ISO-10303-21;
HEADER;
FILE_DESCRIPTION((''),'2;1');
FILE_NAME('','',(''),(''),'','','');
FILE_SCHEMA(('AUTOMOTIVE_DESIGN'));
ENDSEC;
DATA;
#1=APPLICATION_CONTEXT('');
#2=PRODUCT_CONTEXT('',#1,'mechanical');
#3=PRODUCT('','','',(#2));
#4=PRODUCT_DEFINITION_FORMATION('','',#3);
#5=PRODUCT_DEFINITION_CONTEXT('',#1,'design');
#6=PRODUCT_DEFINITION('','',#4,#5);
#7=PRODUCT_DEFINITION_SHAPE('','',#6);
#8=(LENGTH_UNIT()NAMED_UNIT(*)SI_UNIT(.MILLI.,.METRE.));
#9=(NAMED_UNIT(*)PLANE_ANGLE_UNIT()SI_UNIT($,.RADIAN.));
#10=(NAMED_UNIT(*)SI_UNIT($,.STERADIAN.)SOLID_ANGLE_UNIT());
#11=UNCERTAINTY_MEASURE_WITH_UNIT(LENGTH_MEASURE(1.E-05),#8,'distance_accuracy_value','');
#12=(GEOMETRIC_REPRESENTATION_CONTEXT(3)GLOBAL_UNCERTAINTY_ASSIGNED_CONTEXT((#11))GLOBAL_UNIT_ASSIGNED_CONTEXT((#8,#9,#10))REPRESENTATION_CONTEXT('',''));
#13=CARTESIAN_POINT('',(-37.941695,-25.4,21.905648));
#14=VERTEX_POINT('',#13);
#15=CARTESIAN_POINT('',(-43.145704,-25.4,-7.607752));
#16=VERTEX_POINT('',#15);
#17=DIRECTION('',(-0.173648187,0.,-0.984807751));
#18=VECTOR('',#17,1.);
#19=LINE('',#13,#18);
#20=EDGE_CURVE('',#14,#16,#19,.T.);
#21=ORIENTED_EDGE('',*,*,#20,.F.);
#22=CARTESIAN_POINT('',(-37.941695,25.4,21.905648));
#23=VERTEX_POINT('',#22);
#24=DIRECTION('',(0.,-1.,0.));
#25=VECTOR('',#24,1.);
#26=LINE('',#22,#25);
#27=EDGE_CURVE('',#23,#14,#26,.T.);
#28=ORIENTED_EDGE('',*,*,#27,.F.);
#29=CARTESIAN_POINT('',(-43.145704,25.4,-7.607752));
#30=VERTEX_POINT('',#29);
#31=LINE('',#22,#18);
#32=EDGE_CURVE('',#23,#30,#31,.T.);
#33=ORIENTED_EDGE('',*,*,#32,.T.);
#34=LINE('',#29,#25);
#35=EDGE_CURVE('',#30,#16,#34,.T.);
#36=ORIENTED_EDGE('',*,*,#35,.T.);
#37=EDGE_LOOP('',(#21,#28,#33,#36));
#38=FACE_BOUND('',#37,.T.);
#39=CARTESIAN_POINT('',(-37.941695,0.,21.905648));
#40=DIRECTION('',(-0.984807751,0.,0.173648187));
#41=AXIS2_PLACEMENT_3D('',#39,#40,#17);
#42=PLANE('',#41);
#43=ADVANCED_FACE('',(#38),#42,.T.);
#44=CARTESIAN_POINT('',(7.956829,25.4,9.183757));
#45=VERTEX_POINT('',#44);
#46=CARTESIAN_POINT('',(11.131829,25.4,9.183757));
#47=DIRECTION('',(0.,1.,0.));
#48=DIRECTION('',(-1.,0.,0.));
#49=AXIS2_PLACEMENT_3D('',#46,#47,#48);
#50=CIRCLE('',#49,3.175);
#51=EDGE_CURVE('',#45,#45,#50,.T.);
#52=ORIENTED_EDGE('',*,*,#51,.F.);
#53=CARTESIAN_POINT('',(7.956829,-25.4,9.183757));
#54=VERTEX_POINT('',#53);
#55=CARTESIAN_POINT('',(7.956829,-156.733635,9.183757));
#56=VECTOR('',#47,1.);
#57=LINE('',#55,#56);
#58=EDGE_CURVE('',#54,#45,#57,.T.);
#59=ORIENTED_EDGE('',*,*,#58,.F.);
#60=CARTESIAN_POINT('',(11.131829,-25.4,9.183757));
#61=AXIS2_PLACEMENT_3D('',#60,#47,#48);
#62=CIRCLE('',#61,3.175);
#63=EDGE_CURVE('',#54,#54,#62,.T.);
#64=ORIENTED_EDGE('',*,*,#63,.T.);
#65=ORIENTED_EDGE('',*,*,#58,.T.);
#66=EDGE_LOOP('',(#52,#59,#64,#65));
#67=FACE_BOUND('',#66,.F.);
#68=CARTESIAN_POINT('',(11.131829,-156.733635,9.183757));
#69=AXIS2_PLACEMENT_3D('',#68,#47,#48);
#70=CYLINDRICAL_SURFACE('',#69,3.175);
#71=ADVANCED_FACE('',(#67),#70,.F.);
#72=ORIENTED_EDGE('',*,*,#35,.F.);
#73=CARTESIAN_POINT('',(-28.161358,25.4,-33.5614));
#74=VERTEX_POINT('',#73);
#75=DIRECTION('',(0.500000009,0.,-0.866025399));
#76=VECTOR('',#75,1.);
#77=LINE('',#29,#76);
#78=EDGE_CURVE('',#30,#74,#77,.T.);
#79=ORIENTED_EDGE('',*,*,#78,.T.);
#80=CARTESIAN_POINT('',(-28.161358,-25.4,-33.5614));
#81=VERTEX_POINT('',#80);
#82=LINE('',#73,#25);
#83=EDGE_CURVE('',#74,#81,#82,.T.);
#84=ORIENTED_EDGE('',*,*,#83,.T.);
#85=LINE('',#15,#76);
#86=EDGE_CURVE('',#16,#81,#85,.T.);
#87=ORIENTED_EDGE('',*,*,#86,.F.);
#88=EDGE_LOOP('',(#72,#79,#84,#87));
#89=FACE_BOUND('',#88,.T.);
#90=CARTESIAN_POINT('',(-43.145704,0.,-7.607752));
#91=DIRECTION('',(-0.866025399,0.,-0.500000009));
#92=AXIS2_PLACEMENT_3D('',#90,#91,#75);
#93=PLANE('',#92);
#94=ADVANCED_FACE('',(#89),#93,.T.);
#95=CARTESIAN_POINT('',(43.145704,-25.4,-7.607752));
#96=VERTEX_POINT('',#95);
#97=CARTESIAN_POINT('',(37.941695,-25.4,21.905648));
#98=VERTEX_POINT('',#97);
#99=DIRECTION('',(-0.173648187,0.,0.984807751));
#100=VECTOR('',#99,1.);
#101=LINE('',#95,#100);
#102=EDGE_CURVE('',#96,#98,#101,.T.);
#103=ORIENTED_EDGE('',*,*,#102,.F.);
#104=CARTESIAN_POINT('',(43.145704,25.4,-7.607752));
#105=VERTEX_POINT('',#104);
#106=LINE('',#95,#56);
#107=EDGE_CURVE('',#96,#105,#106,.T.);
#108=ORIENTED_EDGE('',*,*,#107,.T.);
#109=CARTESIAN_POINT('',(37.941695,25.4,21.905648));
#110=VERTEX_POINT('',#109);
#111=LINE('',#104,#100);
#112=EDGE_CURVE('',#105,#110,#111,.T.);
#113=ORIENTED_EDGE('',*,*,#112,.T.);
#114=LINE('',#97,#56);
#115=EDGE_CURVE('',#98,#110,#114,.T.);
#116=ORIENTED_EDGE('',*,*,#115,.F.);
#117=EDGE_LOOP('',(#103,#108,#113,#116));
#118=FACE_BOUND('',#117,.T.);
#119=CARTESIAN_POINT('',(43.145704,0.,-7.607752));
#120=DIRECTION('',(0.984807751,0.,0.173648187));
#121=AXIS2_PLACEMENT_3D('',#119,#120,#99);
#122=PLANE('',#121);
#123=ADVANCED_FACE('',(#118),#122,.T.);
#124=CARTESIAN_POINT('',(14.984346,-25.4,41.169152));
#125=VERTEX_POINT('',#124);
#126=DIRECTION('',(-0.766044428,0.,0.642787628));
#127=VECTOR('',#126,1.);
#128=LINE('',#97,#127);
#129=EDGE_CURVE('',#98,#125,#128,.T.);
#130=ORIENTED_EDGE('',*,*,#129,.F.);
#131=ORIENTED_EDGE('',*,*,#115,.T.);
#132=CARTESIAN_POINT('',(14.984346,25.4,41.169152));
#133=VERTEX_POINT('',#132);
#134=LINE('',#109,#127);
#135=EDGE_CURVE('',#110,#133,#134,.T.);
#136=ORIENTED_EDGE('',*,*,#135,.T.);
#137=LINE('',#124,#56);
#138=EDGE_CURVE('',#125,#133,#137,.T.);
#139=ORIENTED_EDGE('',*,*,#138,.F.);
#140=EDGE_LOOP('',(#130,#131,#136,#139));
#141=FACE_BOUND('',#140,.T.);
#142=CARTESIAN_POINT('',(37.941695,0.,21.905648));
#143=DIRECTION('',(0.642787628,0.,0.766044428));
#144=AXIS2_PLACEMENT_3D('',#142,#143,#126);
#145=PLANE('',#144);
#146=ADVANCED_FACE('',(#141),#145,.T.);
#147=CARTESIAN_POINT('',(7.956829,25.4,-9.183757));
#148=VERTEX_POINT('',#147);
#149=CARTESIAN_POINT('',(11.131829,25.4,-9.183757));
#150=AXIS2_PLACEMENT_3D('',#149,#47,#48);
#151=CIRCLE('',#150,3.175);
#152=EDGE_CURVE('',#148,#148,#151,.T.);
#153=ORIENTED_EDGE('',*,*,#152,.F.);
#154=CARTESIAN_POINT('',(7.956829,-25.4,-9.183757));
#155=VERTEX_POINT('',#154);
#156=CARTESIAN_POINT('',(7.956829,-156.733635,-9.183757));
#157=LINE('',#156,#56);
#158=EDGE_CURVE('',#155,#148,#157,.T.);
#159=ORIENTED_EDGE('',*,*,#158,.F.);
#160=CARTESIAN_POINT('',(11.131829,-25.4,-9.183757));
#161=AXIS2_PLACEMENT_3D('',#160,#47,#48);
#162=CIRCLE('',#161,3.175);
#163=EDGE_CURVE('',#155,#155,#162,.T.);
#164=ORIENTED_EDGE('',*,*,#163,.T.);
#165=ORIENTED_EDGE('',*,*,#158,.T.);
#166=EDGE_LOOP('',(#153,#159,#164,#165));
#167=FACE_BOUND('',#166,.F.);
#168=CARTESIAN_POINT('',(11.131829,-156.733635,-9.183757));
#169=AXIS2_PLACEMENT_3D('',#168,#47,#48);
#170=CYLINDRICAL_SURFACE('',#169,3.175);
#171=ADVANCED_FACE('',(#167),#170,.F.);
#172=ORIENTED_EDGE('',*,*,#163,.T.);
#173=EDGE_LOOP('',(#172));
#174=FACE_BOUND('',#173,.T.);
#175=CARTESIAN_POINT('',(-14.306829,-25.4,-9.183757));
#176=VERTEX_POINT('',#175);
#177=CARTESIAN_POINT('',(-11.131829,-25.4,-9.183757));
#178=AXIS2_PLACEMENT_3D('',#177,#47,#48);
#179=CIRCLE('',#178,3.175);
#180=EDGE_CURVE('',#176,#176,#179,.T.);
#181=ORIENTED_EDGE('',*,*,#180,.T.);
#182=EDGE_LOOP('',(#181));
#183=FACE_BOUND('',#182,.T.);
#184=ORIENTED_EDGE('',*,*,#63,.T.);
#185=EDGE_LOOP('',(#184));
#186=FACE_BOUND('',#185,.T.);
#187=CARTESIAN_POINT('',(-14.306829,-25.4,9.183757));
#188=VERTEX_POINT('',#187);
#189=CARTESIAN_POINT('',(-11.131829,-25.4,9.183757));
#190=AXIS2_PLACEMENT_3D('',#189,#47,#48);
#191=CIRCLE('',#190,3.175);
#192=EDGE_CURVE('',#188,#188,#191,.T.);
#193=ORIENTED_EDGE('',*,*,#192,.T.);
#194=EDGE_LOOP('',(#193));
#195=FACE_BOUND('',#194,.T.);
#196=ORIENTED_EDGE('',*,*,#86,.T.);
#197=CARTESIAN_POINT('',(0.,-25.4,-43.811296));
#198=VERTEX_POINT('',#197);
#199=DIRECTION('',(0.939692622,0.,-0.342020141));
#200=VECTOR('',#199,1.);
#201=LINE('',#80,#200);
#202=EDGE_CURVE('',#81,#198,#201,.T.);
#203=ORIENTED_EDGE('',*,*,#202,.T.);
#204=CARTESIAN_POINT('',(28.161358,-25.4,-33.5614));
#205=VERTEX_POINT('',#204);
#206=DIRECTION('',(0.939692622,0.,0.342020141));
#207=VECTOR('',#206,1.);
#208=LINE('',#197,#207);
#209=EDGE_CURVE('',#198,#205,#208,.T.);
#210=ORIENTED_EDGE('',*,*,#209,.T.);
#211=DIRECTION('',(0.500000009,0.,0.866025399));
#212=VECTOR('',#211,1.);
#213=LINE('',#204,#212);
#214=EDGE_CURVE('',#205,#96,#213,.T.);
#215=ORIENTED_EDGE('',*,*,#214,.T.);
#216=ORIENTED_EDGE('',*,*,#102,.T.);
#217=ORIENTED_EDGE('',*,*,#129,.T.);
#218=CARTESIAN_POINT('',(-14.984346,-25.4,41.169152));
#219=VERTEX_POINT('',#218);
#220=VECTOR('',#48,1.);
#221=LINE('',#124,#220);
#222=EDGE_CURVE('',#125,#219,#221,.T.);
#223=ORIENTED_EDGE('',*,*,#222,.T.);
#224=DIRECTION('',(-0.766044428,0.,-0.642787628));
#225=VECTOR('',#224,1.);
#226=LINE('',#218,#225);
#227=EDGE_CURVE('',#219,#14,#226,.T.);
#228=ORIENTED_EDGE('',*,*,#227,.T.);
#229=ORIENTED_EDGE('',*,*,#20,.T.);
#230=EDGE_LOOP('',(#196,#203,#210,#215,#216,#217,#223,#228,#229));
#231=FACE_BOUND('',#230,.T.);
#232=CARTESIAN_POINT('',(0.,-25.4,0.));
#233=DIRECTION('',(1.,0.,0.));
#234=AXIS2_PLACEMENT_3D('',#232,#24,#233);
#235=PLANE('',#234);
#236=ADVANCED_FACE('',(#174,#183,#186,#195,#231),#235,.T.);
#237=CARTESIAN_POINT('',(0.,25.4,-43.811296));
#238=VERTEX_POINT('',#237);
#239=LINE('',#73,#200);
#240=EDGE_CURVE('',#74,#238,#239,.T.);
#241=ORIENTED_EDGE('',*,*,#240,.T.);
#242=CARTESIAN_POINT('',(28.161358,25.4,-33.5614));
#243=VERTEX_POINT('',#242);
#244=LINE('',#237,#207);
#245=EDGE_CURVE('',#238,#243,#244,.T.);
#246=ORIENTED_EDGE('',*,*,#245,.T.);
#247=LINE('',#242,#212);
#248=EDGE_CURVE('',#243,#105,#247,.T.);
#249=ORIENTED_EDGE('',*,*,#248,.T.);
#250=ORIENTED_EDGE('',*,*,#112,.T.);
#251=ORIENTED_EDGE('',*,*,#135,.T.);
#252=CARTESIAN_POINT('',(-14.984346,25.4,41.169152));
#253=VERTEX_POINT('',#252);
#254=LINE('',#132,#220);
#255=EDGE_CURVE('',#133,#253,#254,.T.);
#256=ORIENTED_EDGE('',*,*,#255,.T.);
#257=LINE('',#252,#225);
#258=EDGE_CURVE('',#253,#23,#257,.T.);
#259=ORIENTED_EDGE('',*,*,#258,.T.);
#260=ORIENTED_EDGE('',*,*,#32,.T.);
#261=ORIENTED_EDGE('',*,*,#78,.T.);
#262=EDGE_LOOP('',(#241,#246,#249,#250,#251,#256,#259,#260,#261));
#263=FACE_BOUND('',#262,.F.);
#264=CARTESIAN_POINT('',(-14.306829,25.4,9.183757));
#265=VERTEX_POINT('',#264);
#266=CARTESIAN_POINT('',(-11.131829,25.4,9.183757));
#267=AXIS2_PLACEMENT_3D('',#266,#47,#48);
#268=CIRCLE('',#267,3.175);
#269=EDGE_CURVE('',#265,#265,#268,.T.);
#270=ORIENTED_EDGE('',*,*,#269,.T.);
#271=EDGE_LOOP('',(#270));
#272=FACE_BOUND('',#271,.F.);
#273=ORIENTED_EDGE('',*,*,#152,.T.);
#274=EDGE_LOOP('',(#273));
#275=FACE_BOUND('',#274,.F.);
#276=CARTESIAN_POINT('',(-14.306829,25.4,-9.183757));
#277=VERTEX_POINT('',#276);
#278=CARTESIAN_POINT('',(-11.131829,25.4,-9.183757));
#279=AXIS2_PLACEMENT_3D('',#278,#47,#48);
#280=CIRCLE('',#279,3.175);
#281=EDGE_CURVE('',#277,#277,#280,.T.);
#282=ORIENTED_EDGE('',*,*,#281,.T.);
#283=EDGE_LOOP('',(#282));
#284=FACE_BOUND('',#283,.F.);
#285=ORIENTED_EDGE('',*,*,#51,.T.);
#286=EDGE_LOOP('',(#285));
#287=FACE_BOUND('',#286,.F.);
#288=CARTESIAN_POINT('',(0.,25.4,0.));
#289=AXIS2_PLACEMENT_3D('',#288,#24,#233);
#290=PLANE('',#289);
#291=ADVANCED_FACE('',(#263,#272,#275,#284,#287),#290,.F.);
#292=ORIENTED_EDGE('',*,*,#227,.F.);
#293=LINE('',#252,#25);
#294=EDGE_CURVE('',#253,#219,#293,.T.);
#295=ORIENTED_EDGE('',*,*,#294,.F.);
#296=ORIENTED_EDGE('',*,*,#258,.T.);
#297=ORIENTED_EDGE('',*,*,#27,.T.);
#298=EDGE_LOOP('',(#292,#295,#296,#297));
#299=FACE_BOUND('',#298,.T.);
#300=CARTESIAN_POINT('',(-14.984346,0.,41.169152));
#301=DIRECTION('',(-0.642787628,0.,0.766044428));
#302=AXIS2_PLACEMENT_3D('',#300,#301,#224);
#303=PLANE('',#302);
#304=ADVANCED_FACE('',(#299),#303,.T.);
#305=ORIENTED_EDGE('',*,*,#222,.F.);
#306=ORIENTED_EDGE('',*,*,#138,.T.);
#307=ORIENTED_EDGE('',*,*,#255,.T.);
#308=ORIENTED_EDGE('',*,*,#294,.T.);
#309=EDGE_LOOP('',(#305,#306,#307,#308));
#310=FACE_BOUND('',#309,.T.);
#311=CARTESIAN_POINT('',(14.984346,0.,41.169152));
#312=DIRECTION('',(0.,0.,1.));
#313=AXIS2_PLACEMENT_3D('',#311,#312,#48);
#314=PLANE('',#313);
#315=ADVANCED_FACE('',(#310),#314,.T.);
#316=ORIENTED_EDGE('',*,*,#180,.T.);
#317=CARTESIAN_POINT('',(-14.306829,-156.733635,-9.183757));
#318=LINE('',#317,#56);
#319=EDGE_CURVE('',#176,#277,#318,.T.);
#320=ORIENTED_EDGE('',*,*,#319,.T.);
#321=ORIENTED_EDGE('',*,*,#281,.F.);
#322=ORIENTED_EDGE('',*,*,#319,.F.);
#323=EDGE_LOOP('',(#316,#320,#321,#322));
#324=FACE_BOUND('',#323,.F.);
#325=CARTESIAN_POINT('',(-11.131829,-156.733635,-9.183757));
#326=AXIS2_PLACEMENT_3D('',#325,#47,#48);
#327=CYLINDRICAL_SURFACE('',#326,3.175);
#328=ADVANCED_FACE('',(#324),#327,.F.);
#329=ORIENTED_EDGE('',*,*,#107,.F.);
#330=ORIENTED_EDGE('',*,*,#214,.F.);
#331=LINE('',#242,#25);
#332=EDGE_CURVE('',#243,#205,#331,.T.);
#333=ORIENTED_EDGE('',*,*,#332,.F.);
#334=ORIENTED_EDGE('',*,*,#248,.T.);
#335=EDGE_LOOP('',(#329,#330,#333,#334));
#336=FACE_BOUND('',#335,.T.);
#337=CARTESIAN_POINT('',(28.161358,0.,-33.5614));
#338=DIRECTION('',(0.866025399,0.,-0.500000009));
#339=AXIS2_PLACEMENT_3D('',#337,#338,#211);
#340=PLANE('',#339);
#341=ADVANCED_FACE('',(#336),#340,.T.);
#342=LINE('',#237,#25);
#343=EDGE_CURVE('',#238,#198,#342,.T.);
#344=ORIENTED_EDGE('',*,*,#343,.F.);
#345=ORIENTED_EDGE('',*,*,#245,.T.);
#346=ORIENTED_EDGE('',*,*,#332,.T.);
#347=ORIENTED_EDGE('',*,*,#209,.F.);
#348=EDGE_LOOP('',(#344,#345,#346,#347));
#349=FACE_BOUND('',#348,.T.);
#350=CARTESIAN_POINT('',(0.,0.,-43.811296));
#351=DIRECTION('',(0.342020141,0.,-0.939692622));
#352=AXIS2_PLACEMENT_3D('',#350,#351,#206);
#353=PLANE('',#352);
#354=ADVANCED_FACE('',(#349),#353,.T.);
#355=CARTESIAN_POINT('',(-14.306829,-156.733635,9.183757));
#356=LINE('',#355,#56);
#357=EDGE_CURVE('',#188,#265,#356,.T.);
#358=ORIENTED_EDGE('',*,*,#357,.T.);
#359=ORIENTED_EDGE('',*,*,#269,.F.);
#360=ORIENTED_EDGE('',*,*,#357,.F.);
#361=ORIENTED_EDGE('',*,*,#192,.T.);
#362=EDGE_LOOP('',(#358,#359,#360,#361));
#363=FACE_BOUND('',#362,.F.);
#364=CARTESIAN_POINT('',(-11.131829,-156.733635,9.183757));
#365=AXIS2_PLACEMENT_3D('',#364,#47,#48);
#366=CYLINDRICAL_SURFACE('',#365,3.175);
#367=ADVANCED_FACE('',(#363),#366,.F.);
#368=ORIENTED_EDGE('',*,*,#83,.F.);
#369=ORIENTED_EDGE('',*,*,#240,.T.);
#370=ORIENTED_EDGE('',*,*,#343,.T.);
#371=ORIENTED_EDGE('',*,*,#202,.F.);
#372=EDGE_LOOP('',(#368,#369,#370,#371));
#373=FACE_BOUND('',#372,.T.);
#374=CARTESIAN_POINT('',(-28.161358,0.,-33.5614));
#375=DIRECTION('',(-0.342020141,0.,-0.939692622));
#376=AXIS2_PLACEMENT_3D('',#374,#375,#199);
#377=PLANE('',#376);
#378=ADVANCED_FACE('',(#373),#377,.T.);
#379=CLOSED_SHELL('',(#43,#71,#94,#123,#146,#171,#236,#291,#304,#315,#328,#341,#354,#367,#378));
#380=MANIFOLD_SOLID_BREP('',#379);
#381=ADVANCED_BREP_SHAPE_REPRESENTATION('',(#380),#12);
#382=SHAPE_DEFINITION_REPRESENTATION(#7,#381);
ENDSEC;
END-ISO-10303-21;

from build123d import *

# Parameters (mm, degrees)
F1_DEPTH      = 25.4
F1_DEPTH_BACK = 25.4
F3_D          = 6.35


with BuildPart() as f1:
    # F0 (on Front) → F1 (new body, two sides)
    with BuildSketch(Plane.XZ) as f1_sk:
        Polygon((14.984346, 41.169152), (-14.984346, 41.169152), (-37.941695, 21.905648), (-43.145704, -7.607752), (-28.161358, -33.5614), (0, -43.811296), (28.161358, -33.5614), (43.145704, -7.607752), (37.941695, 21.905648), align=None)
    extrude(amount=F1_DEPTH)
    extrude(f1_sk.sketch, amount=-F1_DEPTH_BACK)

    # F3 (through all)
    with Locations(Plane.XZ.offset(25.4)):
        with Locations((-11.131829, -9.183757), (-11.131829, 9.183757), (11.131829, 9.183757), (11.131829, -9.183757)):
            Hole(F3_D / 2)


solid = f1.part
